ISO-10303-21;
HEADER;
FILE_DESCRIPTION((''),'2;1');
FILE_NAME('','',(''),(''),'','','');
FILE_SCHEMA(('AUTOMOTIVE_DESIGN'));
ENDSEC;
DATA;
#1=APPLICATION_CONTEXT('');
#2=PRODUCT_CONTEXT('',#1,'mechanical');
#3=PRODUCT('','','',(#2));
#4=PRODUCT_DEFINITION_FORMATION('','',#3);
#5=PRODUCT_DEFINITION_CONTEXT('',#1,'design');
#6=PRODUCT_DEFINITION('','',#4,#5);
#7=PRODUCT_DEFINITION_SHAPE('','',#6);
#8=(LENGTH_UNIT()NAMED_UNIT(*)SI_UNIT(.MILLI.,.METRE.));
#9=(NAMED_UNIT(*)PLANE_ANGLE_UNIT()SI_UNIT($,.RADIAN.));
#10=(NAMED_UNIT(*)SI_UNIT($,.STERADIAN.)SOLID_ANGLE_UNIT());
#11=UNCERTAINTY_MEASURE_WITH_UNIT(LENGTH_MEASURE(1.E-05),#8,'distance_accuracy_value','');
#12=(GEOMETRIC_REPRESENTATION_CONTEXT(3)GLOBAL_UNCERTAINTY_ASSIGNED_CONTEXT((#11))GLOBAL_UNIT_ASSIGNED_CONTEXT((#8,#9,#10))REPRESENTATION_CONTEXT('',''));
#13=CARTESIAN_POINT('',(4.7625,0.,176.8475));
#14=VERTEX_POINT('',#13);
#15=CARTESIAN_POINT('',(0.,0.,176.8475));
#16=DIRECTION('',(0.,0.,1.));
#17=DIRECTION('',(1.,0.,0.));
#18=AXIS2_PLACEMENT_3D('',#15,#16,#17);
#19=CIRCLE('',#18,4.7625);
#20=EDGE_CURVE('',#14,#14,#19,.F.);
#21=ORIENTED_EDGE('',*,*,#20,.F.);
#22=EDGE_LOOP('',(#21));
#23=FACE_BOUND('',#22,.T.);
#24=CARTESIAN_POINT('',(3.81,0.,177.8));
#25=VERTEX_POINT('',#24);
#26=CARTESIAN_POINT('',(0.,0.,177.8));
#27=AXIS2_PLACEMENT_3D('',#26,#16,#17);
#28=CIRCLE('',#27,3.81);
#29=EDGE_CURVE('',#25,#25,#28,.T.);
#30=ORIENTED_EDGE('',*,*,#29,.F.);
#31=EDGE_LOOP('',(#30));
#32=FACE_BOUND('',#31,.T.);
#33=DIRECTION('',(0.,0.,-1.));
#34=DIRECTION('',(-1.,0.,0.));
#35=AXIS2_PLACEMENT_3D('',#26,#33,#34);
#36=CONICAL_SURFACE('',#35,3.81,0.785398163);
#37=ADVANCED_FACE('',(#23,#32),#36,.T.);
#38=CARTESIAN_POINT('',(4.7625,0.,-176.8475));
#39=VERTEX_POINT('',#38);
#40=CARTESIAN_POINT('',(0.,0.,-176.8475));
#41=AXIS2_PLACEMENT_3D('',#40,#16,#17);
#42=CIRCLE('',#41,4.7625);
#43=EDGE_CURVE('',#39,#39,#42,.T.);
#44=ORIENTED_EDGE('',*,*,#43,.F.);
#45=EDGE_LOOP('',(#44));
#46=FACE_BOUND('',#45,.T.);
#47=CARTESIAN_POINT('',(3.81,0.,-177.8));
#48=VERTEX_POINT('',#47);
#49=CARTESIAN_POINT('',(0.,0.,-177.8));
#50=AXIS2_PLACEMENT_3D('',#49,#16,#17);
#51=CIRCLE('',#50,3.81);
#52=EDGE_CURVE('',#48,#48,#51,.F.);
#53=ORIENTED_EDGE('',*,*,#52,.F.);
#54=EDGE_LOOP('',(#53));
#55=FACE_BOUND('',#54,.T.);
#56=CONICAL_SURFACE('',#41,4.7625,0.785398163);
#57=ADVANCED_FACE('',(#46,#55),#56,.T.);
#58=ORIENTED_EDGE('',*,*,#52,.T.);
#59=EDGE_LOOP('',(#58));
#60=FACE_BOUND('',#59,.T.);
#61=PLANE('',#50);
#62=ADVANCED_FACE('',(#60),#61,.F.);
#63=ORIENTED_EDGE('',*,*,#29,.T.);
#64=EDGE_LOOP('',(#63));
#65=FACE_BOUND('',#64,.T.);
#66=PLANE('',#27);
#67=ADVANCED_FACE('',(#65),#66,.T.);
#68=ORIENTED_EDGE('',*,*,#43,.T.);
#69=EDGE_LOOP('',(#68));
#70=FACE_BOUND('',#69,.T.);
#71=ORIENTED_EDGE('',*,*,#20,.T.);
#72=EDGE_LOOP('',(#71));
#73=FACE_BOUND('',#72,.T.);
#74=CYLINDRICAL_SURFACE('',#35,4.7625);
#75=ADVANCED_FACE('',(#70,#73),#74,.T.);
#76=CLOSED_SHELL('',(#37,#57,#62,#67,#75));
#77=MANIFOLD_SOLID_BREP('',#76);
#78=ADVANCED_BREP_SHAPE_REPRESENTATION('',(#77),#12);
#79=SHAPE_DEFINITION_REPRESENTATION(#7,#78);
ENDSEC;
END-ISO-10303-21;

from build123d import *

# Parameters (mm, degrees)
SKETCH3_R           = 4.7625
BOSS_EXTRUDE1_DEPTH = 177.8
CHAMFER1_SIZE       = 0.9525


with BuildPart() as part:
    # Sketch3 → Boss-Extrude1 (new body, symmetric)
    with BuildSketch(Plane.XY):
        Circle(SKETCH3_R)
    extrude(amount=BOSS_EXTRUDE1_DEPTH, both=True)

    # Chamfer1
    chamfer1_edges = [part.edges().sort_by_distance(p)[0] for p in [
        (-4.7625, 0, -177.8),
        (-4.7625, 0, 177.8),
    ]]
    chamfer(chamfer1_edges, length=CHAMFER1_SIZE)


solid = part.part
